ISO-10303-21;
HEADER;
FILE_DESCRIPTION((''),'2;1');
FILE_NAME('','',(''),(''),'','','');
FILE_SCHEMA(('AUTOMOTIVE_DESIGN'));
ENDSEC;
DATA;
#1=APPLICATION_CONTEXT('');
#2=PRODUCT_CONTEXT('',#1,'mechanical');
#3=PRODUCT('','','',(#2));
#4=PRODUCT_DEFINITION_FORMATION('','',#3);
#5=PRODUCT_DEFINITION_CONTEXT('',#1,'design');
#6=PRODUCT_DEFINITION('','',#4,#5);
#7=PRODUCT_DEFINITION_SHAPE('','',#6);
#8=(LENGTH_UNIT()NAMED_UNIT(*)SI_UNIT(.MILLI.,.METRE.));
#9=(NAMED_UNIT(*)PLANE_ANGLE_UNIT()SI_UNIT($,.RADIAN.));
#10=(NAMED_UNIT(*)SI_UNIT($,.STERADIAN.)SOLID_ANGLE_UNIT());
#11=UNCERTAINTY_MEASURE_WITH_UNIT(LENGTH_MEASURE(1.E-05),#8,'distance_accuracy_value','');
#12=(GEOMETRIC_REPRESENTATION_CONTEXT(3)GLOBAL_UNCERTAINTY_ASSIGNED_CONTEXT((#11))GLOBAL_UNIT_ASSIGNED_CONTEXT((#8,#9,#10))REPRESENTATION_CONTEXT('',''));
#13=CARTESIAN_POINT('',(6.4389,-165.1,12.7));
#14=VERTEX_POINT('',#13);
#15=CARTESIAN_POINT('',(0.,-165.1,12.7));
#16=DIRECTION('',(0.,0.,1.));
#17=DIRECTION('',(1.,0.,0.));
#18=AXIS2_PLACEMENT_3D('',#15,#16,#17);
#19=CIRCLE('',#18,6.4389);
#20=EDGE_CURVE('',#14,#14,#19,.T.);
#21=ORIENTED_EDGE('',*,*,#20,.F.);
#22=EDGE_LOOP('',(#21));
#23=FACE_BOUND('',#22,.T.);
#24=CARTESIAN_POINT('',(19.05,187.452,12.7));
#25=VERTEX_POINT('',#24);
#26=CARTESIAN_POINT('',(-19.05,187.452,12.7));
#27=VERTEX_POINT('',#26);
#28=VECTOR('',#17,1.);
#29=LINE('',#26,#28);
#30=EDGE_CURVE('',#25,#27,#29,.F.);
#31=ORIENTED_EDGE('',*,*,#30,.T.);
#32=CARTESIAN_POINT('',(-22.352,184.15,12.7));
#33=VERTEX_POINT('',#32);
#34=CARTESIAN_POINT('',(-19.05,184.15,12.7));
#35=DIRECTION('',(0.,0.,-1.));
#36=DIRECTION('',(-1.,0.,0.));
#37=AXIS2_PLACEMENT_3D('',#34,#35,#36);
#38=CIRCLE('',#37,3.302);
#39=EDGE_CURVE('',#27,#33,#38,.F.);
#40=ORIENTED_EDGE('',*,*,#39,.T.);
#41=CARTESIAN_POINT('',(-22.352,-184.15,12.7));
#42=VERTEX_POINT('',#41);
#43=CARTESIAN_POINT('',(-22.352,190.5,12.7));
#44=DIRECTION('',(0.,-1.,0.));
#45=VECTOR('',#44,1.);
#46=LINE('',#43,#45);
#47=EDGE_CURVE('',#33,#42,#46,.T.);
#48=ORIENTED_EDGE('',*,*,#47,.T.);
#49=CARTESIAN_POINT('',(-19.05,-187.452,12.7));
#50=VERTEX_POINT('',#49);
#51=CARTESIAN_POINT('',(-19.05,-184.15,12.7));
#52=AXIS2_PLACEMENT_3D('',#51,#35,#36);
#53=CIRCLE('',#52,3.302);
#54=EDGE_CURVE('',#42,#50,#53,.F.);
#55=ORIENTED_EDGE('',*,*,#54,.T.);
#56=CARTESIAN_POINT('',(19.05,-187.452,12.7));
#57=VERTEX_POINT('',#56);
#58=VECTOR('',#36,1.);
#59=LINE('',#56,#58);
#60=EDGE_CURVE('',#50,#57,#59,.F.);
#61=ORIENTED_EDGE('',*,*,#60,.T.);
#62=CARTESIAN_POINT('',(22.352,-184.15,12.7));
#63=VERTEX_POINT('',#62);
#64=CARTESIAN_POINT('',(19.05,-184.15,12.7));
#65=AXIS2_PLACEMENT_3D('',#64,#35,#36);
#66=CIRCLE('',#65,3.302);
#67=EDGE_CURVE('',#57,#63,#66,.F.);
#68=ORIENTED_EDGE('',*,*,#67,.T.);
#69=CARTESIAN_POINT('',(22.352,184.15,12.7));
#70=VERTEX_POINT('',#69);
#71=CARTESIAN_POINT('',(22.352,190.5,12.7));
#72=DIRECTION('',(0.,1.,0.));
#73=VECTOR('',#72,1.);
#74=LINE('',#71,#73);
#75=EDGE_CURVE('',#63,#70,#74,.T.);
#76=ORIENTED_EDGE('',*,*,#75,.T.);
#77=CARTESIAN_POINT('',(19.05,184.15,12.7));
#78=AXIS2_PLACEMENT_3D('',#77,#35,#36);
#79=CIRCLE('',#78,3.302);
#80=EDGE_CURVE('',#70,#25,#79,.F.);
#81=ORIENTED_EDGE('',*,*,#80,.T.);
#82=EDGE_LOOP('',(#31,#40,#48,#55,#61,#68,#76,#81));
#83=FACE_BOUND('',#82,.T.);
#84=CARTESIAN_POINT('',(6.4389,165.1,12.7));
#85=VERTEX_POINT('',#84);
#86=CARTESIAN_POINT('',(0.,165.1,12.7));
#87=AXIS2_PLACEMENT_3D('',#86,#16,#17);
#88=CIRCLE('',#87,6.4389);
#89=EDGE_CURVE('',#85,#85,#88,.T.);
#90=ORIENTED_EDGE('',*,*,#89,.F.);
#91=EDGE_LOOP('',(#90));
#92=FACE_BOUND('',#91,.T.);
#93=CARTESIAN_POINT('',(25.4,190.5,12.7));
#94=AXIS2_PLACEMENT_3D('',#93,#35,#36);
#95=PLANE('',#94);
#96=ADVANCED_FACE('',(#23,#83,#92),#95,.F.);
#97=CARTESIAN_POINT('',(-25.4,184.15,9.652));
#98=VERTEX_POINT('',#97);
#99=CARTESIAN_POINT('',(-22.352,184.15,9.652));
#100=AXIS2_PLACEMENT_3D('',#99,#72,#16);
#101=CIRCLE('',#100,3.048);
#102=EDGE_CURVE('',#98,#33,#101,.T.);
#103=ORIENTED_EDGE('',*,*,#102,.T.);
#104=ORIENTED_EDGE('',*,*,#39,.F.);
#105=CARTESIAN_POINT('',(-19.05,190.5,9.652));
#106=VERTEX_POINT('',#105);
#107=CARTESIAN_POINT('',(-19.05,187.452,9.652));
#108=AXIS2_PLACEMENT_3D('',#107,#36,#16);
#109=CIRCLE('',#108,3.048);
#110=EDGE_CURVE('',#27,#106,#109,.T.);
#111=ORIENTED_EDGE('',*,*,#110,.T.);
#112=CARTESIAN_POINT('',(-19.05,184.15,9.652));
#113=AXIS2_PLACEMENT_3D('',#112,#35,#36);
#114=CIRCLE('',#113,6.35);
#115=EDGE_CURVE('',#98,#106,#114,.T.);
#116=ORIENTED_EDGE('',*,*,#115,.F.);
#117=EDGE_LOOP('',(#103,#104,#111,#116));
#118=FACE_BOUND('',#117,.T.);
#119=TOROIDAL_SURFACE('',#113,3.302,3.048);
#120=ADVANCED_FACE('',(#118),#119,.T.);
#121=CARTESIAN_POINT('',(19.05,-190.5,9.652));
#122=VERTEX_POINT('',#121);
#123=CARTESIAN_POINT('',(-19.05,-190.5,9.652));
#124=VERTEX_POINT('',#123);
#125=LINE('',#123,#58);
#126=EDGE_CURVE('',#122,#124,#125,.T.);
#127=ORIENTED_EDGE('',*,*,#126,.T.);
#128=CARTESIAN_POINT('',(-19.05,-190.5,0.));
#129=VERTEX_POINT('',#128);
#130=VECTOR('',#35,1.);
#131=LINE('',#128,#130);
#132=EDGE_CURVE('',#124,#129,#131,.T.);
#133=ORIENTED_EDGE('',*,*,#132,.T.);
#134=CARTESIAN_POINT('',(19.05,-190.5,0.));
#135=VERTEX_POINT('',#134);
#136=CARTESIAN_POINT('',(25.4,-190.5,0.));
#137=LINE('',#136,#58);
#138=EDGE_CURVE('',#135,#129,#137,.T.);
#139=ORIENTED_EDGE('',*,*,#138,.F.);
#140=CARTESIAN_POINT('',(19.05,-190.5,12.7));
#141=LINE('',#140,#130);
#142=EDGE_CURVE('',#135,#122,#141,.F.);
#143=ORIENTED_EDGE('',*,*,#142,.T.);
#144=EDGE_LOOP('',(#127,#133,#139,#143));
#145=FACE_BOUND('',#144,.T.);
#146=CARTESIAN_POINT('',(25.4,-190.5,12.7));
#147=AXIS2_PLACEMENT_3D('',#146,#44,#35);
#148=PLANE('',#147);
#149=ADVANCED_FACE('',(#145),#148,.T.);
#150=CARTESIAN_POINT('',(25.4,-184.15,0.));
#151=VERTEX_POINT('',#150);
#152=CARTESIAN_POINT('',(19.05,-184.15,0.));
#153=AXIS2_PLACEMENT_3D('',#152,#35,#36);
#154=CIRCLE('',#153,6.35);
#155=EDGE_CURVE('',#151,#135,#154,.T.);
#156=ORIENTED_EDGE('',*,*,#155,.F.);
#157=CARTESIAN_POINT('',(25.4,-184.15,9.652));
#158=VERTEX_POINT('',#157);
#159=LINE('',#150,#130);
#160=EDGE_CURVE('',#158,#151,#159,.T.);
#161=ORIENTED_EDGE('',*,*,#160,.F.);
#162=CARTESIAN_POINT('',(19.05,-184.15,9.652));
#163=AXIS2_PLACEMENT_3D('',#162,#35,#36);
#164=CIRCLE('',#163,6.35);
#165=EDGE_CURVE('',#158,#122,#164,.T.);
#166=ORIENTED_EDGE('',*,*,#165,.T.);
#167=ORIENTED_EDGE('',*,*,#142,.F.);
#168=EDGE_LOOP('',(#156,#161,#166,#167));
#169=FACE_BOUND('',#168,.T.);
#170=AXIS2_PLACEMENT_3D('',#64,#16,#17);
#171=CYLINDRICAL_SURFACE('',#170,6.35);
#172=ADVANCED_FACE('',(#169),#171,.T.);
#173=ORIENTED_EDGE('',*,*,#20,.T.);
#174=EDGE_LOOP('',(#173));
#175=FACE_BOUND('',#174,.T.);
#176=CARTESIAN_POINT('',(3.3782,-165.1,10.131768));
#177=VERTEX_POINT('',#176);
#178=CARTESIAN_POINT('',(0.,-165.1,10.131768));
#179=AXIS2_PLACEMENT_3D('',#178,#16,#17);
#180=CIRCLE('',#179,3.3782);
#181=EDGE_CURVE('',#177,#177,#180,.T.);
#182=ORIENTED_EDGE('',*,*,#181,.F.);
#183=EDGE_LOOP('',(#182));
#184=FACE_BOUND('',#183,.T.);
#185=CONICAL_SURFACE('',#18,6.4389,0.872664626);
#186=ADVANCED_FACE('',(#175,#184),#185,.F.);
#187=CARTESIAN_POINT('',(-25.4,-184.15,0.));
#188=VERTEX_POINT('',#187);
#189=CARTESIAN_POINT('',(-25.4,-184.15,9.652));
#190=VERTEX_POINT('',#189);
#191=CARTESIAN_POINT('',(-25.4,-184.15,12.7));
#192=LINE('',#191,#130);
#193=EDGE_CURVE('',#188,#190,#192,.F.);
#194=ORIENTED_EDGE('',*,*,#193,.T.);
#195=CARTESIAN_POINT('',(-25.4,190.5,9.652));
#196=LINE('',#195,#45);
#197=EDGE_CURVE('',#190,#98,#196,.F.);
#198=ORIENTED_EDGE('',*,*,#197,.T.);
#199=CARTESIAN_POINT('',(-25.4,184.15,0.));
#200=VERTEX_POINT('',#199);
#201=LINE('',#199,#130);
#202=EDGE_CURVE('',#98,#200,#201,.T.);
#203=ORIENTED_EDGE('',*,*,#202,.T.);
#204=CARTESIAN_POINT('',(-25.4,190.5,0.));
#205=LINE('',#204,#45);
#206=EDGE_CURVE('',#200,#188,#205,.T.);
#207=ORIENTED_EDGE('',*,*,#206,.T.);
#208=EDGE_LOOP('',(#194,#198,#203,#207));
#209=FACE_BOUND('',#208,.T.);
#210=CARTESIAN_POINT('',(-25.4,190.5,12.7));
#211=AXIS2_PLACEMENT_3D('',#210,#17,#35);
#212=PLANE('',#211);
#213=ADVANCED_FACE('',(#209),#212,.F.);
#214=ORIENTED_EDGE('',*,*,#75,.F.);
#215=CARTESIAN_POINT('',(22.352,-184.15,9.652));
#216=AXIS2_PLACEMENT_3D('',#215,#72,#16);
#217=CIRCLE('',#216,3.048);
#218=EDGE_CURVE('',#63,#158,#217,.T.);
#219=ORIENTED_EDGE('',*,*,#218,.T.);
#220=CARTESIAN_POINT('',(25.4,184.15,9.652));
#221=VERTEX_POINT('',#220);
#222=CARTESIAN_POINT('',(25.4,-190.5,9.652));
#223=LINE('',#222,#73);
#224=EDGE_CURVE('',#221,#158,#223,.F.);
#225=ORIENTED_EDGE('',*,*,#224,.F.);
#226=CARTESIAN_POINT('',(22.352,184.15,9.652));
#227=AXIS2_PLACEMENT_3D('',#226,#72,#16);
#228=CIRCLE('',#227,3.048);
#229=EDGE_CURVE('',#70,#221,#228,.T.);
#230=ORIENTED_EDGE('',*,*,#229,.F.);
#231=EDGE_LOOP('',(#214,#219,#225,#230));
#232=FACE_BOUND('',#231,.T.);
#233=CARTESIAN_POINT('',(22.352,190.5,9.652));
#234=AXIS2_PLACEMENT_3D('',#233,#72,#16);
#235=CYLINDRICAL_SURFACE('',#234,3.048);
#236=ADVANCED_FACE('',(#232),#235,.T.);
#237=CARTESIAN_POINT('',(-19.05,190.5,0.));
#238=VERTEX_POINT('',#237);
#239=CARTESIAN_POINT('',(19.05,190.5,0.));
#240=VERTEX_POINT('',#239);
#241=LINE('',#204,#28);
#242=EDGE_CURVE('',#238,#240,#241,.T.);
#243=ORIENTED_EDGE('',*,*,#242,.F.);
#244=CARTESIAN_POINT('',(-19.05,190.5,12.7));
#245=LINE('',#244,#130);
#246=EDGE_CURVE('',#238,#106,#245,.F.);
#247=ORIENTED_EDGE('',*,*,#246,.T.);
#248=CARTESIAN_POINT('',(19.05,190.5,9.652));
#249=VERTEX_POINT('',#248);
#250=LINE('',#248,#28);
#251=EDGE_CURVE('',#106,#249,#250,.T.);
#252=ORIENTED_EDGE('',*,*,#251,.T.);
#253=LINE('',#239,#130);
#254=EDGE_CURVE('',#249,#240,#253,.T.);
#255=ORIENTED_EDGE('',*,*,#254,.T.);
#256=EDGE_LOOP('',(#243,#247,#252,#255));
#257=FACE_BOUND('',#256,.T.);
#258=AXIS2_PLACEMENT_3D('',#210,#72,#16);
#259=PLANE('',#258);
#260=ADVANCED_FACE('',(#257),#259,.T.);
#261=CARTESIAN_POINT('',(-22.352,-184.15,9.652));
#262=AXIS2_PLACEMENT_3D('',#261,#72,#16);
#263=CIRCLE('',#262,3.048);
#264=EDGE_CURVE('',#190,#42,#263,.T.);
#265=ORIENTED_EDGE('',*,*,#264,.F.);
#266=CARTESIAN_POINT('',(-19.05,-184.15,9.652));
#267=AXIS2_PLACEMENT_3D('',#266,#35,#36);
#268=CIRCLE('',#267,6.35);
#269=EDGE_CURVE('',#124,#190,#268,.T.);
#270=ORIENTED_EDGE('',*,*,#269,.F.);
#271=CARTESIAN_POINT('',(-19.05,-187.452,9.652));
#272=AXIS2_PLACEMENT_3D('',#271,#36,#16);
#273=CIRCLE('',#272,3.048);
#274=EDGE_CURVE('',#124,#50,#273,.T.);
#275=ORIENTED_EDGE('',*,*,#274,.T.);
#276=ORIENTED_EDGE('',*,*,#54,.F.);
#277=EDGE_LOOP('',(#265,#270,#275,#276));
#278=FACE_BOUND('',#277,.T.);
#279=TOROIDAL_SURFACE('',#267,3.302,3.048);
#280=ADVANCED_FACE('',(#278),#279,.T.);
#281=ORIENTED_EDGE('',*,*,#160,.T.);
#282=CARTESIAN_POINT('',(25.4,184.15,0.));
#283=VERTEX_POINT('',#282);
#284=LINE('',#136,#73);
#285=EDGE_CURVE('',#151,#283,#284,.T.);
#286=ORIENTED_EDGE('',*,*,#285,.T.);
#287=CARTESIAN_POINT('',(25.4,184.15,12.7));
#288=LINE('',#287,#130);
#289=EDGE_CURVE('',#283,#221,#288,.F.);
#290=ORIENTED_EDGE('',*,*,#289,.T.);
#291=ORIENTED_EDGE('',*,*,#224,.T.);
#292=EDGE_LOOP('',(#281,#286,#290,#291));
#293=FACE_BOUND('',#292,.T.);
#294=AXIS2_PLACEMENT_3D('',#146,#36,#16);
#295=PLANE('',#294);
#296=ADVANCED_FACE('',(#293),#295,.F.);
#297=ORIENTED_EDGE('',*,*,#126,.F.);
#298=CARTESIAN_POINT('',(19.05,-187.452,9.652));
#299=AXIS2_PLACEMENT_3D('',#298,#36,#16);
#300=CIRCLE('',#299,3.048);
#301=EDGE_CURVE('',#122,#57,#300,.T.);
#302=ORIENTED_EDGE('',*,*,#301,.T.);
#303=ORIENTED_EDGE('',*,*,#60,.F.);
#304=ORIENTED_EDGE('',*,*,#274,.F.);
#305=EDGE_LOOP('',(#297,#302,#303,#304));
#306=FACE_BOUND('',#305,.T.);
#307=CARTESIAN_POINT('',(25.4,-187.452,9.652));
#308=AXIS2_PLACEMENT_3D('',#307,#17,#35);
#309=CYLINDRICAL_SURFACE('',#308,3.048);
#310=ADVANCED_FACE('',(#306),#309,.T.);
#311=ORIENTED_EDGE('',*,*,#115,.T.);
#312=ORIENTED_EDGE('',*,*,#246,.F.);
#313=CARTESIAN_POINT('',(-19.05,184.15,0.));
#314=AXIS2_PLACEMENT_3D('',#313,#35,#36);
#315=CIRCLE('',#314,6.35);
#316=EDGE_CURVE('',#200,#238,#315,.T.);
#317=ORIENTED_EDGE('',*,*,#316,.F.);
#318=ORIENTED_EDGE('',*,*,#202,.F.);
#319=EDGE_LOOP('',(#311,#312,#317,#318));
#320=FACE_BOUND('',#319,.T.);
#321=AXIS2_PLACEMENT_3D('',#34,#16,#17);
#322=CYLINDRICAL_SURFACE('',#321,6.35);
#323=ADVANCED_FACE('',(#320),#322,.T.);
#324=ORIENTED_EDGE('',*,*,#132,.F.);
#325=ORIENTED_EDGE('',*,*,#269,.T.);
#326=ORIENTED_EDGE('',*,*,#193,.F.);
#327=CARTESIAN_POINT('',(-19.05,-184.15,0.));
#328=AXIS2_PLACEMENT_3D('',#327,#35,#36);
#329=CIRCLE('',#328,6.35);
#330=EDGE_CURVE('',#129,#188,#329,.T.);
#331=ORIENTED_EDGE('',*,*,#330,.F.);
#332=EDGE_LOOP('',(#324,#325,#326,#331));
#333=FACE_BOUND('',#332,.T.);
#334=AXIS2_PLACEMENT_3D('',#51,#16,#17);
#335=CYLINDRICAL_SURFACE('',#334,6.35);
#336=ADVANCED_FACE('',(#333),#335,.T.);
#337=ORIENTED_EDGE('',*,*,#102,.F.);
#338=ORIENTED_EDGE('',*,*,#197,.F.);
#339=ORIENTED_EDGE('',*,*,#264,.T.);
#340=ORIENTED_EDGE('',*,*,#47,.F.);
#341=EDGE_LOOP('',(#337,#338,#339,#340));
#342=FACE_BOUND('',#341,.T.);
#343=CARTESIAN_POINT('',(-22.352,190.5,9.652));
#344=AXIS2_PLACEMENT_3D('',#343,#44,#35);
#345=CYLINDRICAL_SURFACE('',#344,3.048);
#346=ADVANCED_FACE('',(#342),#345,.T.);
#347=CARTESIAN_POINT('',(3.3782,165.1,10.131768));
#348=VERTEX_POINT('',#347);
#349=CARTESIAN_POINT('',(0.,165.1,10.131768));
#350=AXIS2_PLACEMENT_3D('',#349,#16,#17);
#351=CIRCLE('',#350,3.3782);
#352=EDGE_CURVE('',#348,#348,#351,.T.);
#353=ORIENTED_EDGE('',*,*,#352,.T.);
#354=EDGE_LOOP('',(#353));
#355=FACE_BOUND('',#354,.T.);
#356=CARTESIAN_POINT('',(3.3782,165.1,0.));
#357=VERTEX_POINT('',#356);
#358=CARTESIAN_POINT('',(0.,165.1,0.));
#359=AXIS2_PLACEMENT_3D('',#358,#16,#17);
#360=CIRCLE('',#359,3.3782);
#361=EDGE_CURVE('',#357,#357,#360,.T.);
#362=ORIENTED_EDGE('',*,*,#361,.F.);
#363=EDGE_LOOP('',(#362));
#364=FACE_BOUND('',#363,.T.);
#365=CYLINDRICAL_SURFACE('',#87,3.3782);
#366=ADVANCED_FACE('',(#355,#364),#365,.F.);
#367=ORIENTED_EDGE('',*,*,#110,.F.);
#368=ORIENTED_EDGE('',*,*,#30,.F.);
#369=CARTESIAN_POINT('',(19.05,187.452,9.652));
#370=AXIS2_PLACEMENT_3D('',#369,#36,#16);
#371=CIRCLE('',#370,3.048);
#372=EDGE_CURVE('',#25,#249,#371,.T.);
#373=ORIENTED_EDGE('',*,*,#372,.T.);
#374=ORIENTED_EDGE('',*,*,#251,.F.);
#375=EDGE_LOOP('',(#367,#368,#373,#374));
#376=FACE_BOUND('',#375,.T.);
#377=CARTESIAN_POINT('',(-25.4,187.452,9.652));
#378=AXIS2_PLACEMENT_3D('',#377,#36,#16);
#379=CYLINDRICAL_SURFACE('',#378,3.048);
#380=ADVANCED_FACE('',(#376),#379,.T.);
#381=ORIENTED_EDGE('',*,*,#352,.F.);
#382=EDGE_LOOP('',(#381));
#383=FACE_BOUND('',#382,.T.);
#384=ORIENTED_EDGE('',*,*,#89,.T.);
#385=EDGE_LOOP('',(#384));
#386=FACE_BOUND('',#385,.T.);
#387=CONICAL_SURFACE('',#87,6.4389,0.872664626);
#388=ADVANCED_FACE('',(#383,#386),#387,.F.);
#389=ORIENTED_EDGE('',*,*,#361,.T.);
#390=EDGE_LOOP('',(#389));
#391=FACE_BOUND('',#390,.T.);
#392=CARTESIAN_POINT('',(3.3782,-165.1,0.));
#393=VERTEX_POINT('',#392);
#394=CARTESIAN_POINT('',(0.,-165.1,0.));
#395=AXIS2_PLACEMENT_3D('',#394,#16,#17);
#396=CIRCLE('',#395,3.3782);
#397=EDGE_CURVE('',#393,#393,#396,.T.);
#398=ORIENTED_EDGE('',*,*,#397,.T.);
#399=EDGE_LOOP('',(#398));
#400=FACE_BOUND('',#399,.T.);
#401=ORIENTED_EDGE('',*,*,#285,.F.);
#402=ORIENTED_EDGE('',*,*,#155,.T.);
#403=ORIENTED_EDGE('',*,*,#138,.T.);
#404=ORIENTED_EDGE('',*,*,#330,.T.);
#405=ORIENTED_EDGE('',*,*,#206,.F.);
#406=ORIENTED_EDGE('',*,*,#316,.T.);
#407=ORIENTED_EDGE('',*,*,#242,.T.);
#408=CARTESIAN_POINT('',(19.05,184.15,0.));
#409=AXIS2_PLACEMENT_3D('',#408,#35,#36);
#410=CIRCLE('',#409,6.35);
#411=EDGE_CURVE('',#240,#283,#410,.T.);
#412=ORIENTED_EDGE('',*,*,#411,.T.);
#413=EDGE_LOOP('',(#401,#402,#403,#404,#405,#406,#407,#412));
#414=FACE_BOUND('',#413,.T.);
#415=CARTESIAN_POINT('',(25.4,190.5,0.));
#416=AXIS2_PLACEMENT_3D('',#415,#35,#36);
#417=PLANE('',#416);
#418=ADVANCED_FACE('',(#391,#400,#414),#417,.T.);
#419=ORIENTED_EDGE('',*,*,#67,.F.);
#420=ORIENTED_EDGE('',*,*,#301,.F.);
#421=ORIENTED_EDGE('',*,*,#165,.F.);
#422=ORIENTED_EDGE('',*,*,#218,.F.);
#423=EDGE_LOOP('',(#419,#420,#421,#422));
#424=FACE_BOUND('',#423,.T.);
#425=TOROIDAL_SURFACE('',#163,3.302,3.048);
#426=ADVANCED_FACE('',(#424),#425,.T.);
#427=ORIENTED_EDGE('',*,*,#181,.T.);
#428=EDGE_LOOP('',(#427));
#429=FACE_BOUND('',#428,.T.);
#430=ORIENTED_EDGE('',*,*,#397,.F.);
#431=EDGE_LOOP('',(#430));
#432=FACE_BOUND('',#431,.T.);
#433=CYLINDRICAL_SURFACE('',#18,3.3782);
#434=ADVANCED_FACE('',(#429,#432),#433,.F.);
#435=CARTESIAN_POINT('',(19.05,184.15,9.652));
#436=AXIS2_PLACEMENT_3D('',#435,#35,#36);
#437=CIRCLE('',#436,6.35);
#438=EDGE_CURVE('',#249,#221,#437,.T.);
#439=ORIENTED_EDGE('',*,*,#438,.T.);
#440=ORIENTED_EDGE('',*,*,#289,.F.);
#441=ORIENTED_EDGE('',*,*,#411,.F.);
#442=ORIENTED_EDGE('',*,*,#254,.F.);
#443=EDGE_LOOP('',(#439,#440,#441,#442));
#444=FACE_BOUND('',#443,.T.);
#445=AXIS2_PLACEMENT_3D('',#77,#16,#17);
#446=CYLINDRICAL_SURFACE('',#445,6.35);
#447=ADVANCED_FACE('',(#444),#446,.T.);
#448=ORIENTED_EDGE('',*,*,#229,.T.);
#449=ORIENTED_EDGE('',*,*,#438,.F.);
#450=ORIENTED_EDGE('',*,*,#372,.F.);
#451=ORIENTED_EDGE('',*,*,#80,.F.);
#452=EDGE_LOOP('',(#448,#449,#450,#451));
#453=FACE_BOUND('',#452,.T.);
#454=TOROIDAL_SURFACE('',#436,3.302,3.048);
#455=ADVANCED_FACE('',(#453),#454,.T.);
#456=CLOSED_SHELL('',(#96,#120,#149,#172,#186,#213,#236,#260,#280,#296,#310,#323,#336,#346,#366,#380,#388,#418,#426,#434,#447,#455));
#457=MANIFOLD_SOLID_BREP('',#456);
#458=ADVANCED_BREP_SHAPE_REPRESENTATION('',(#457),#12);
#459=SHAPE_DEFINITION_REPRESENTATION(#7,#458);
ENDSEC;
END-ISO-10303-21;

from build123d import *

# Parameters (mm, degrees)
SKETCH1_W                                           = 50.8
SKETCH1_H                                           = 381
BASE_EXTRUDE_DEPTH                                  = 12.7
CSK_FOR_1_4_FLAT_HEAD_MACHINE_SCREW_100_D           = 6.7564
CSK_FOR_1_4_FLAT_HEAD_MACHINE_SCREW_100_CSINK_D     = 12.8778
CSK_FOR_1_4_FLAT_HEAD_MACHINE_SCREW_100_CSINK_ANGLE = 100
FILLET1_R                                           = 6.35
FILLET2_R                                           = 3.048


with BuildPart() as part:
    # Sketch1 → Base-Extrude (new body)
    with BuildSketch(Plane.XY):
        Rectangle(SKETCH1_W, SKETCH1_H)
    extrude(amount=BASE_EXTRUDE_DEPTH)

    # CSK for 1/4 Flat Head Machine Screw (100)1 (through all)
    with Locations(Plane.XY.offset(12.7)):
        with Locations((0, 165.1), (0, -165.1)):
            CounterSinkHole(CSK_FOR_1_4_FLAT_HEAD_MACHINE_SCREW_100_D / 2, CSK_FOR_1_4_FLAT_HEAD_MACHINE_SCREW_100_CSINK_D / 2, counter_sink_angle=CSK_FOR_1_4_FLAT_HEAD_MACHINE_SCREW_100_CSINK_ANGLE)

    # Fillet1
    fillet1_edges = [part.edges().sort_by_distance(p)[0] for p in [
        (25.4, -190.5, 6.35),
        (-25.4, -190.5, 6.35),
        (-25.4, 190.5, 6.35),
        (25.4, 190.5, 6.35),
    ]]
    fillet(fillet1_edges, radius=FILLET1_R)

    # Fillet2
    fillet2_edges = [part.edges().sort_by_distance(p)[0] for p in [
        (25.4, 0, 12.7),
        (0, -190.5, 12.7),
        (0, 190.5, 12.7),
        (-25.4, 0, 12.7),
        (23.540128061, 188.640128061, 12.7),
        (-23.540128061, 188.640128061, 12.7),
        (-23.540128061, -188.640128061, 12.7),
        (23.540128061, -188.640128061, 12.7),
    ]]
    fillet(fillet2_edges, radius=FILLET2_R)


solid = part.part
